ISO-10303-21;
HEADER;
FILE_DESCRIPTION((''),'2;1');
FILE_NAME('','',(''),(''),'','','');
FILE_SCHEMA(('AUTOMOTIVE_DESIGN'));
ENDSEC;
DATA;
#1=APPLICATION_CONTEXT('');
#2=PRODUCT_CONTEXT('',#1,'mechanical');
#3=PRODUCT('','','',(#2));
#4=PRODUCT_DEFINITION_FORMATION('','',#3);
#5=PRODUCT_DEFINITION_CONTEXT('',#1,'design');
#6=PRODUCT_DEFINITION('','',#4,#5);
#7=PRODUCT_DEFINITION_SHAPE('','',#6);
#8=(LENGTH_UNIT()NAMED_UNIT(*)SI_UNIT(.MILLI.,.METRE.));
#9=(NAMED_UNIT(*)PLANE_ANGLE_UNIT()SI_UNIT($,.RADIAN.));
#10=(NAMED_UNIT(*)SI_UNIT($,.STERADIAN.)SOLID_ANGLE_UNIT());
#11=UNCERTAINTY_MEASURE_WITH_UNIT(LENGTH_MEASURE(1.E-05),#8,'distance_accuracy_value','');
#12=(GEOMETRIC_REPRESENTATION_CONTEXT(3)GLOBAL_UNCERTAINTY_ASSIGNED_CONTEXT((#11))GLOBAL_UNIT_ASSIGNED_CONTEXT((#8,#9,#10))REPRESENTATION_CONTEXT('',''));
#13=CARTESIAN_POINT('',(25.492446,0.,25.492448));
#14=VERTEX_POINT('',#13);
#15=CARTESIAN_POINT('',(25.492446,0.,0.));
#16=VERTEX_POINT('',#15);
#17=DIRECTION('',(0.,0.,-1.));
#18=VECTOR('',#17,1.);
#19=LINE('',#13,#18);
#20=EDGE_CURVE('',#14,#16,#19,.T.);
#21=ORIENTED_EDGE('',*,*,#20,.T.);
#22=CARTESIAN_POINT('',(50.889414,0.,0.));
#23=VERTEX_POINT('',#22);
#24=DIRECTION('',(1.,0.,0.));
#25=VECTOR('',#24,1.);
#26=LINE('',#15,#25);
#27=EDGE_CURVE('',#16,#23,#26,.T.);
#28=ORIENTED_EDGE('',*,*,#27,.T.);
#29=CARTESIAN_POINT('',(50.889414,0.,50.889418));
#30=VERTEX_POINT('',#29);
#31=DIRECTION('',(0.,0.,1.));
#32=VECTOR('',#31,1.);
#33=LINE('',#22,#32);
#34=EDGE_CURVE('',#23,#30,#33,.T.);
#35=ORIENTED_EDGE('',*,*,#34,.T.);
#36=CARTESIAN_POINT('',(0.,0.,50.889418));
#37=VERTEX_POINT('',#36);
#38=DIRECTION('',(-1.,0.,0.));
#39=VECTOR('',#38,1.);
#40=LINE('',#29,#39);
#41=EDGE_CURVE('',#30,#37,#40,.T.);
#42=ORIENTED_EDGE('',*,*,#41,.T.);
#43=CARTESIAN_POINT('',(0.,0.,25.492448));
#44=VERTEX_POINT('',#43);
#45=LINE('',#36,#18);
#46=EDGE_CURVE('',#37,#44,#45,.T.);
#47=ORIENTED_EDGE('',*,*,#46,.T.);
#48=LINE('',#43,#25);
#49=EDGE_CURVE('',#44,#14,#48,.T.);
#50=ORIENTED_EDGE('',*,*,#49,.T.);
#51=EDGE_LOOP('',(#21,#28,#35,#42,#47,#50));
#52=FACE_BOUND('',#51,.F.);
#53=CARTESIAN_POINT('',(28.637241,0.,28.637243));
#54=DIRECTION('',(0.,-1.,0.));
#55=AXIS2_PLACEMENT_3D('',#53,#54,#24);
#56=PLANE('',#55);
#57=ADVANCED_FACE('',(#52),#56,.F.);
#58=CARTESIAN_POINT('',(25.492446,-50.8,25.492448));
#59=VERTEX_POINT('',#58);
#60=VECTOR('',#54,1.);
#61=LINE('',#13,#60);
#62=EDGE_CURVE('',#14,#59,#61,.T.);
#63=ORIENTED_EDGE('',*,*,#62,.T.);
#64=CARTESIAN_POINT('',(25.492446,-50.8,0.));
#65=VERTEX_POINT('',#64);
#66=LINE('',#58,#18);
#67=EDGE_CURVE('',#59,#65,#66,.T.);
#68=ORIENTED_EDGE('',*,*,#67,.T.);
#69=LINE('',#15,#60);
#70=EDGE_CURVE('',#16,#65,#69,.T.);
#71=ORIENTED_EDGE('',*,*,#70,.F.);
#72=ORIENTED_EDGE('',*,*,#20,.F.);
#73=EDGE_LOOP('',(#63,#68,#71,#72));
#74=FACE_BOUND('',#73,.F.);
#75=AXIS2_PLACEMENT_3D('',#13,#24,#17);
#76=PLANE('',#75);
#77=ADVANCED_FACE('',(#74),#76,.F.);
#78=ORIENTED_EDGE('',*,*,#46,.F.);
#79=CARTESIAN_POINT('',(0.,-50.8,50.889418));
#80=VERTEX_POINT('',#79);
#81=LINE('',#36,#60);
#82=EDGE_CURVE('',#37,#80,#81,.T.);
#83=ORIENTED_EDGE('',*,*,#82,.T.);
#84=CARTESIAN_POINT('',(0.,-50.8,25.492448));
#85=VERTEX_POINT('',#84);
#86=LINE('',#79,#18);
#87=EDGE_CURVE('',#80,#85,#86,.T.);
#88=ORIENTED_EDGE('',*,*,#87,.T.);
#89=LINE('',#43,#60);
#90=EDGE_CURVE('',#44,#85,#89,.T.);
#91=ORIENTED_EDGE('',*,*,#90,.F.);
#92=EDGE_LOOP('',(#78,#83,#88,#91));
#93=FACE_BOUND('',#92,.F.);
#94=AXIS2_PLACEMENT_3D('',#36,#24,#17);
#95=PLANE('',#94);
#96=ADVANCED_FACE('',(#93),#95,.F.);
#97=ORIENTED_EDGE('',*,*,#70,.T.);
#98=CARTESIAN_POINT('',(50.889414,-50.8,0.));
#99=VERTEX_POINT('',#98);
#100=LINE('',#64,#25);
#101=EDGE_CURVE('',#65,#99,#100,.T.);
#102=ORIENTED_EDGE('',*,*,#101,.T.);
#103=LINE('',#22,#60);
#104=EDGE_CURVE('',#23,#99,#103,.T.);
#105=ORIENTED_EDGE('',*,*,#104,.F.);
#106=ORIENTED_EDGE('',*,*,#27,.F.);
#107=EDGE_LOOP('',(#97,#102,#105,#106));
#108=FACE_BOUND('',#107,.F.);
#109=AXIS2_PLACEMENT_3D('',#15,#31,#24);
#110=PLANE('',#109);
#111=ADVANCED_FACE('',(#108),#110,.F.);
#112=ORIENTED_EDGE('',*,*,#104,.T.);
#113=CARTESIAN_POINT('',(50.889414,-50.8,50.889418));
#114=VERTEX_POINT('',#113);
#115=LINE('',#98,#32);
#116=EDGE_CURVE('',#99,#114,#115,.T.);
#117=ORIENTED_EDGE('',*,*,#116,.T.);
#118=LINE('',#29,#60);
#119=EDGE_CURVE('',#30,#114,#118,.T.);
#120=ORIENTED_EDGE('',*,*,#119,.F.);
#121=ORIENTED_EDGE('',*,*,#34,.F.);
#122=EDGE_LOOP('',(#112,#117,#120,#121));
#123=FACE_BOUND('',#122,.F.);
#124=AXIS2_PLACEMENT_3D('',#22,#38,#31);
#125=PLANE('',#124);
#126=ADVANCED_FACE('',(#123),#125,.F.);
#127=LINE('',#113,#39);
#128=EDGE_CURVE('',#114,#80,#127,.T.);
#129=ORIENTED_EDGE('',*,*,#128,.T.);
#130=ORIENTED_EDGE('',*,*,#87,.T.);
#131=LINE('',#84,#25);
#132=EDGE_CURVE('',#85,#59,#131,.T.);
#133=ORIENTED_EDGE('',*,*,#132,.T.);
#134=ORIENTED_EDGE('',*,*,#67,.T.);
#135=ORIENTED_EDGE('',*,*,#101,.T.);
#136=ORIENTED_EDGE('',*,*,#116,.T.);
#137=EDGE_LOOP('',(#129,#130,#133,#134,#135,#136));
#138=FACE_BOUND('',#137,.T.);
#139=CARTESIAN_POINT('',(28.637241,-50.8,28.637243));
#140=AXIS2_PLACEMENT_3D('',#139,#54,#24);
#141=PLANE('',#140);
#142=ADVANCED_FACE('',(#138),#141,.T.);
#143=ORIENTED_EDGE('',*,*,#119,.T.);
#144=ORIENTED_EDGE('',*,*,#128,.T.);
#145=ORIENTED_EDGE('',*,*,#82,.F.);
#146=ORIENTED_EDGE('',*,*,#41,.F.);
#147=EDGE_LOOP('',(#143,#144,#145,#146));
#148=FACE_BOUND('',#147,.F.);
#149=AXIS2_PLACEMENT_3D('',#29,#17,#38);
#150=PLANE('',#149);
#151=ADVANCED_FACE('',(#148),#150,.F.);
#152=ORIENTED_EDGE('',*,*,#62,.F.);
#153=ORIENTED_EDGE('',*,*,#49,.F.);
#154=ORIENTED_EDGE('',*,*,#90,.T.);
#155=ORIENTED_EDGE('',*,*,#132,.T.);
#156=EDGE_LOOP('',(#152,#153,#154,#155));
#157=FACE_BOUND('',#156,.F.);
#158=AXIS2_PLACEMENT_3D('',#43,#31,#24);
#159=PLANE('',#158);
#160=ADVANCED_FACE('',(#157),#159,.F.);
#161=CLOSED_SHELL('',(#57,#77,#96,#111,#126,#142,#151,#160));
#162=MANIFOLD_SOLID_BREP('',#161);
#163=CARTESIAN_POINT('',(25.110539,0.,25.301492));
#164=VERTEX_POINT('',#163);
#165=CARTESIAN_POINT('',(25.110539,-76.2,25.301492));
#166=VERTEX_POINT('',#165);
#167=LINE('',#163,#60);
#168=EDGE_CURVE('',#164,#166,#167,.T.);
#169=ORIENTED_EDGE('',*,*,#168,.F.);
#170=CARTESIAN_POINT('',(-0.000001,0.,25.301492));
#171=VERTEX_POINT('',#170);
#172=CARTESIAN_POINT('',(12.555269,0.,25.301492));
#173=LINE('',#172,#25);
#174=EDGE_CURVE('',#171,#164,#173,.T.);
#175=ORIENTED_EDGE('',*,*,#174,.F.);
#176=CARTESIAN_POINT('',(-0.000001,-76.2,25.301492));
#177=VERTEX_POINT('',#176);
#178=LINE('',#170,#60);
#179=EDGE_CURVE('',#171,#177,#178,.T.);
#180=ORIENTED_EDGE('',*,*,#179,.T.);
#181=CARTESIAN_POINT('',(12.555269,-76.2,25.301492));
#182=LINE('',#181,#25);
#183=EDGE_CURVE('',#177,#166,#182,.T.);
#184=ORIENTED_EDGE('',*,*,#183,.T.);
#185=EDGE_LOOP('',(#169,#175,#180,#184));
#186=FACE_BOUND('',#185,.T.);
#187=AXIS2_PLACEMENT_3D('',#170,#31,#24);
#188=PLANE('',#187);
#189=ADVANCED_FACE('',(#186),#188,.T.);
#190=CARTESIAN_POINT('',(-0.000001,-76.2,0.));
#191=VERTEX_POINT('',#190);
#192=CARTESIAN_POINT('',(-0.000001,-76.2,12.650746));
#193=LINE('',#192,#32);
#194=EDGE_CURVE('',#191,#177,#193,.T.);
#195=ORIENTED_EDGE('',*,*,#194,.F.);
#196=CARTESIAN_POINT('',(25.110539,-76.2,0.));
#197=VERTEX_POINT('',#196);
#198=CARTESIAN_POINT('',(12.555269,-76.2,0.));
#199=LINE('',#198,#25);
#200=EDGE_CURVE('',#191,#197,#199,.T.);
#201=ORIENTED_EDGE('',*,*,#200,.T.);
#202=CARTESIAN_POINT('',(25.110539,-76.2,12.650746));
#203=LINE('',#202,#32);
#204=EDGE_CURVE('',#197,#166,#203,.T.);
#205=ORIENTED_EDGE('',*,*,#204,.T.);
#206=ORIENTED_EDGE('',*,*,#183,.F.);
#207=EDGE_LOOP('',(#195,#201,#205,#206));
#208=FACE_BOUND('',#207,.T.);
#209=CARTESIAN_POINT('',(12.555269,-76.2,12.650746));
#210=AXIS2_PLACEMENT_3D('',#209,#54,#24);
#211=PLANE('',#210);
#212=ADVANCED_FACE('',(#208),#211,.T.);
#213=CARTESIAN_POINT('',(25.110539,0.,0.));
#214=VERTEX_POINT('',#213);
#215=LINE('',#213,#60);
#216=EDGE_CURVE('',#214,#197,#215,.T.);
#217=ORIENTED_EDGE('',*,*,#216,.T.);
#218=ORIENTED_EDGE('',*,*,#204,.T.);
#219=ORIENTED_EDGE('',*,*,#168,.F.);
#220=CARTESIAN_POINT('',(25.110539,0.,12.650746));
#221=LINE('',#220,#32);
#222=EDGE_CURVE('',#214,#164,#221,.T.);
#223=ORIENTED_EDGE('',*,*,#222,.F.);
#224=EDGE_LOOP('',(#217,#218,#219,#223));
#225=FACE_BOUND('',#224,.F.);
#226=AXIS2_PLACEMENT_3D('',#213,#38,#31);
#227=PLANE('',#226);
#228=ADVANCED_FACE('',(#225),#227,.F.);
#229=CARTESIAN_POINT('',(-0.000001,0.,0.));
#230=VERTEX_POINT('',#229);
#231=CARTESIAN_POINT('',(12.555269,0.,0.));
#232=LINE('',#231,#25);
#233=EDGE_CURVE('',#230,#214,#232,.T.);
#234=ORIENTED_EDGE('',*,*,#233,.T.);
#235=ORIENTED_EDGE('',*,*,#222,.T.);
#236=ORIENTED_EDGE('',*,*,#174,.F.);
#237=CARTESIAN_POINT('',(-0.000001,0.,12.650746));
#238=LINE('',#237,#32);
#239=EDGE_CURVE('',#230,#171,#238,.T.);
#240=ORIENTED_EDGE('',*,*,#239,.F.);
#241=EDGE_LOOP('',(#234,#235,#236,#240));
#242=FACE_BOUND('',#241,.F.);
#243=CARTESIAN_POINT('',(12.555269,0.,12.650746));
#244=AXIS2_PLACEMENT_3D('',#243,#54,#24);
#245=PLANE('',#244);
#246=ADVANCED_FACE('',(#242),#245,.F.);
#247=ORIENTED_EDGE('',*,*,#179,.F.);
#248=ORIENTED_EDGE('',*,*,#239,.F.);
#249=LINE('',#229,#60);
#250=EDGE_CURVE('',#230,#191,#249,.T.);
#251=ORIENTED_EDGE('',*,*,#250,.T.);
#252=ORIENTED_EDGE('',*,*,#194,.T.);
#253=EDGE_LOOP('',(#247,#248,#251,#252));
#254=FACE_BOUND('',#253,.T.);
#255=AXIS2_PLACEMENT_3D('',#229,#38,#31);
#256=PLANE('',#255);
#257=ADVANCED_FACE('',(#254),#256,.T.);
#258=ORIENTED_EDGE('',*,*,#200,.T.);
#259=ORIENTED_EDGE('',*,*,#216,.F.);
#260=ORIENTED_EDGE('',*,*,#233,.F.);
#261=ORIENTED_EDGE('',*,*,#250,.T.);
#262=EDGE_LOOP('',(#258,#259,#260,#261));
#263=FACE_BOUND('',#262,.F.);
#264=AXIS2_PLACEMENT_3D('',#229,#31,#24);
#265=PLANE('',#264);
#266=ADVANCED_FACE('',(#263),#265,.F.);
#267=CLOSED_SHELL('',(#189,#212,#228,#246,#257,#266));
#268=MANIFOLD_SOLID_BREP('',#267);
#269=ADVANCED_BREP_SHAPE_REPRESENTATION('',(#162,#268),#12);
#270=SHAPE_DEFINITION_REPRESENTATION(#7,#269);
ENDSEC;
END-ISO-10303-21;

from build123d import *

# Parameters (mm, degrees)
F1_DEPTH = 50.8
F2_W     = 25.110539
F2_H     = 25.301492
F3_DEPTH = 76.2


with BuildPart() as f1:
    # F0 (on Front) → F1 (new body)
    with BuildSketch(Plane.XZ):
        Polygon((0, 50.889418), (0, 25.492448), (25.492446, 25.492448), (25.492446, 0), (50.889414, 0), (50.889414, 50.889418), align=None)
    extrude(amount=F1_DEPTH)


with BuildPart() as f3:
    # F2 (on Front) → F3 (new body)
    with BuildSketch(Plane.XZ):
        with Locations((12.555269, 12.650746)):
            Rectangle(F2_W, F2_H)
    extrude(amount=F3_DEPTH)


solid = Compound([f1.part, f3.part])
